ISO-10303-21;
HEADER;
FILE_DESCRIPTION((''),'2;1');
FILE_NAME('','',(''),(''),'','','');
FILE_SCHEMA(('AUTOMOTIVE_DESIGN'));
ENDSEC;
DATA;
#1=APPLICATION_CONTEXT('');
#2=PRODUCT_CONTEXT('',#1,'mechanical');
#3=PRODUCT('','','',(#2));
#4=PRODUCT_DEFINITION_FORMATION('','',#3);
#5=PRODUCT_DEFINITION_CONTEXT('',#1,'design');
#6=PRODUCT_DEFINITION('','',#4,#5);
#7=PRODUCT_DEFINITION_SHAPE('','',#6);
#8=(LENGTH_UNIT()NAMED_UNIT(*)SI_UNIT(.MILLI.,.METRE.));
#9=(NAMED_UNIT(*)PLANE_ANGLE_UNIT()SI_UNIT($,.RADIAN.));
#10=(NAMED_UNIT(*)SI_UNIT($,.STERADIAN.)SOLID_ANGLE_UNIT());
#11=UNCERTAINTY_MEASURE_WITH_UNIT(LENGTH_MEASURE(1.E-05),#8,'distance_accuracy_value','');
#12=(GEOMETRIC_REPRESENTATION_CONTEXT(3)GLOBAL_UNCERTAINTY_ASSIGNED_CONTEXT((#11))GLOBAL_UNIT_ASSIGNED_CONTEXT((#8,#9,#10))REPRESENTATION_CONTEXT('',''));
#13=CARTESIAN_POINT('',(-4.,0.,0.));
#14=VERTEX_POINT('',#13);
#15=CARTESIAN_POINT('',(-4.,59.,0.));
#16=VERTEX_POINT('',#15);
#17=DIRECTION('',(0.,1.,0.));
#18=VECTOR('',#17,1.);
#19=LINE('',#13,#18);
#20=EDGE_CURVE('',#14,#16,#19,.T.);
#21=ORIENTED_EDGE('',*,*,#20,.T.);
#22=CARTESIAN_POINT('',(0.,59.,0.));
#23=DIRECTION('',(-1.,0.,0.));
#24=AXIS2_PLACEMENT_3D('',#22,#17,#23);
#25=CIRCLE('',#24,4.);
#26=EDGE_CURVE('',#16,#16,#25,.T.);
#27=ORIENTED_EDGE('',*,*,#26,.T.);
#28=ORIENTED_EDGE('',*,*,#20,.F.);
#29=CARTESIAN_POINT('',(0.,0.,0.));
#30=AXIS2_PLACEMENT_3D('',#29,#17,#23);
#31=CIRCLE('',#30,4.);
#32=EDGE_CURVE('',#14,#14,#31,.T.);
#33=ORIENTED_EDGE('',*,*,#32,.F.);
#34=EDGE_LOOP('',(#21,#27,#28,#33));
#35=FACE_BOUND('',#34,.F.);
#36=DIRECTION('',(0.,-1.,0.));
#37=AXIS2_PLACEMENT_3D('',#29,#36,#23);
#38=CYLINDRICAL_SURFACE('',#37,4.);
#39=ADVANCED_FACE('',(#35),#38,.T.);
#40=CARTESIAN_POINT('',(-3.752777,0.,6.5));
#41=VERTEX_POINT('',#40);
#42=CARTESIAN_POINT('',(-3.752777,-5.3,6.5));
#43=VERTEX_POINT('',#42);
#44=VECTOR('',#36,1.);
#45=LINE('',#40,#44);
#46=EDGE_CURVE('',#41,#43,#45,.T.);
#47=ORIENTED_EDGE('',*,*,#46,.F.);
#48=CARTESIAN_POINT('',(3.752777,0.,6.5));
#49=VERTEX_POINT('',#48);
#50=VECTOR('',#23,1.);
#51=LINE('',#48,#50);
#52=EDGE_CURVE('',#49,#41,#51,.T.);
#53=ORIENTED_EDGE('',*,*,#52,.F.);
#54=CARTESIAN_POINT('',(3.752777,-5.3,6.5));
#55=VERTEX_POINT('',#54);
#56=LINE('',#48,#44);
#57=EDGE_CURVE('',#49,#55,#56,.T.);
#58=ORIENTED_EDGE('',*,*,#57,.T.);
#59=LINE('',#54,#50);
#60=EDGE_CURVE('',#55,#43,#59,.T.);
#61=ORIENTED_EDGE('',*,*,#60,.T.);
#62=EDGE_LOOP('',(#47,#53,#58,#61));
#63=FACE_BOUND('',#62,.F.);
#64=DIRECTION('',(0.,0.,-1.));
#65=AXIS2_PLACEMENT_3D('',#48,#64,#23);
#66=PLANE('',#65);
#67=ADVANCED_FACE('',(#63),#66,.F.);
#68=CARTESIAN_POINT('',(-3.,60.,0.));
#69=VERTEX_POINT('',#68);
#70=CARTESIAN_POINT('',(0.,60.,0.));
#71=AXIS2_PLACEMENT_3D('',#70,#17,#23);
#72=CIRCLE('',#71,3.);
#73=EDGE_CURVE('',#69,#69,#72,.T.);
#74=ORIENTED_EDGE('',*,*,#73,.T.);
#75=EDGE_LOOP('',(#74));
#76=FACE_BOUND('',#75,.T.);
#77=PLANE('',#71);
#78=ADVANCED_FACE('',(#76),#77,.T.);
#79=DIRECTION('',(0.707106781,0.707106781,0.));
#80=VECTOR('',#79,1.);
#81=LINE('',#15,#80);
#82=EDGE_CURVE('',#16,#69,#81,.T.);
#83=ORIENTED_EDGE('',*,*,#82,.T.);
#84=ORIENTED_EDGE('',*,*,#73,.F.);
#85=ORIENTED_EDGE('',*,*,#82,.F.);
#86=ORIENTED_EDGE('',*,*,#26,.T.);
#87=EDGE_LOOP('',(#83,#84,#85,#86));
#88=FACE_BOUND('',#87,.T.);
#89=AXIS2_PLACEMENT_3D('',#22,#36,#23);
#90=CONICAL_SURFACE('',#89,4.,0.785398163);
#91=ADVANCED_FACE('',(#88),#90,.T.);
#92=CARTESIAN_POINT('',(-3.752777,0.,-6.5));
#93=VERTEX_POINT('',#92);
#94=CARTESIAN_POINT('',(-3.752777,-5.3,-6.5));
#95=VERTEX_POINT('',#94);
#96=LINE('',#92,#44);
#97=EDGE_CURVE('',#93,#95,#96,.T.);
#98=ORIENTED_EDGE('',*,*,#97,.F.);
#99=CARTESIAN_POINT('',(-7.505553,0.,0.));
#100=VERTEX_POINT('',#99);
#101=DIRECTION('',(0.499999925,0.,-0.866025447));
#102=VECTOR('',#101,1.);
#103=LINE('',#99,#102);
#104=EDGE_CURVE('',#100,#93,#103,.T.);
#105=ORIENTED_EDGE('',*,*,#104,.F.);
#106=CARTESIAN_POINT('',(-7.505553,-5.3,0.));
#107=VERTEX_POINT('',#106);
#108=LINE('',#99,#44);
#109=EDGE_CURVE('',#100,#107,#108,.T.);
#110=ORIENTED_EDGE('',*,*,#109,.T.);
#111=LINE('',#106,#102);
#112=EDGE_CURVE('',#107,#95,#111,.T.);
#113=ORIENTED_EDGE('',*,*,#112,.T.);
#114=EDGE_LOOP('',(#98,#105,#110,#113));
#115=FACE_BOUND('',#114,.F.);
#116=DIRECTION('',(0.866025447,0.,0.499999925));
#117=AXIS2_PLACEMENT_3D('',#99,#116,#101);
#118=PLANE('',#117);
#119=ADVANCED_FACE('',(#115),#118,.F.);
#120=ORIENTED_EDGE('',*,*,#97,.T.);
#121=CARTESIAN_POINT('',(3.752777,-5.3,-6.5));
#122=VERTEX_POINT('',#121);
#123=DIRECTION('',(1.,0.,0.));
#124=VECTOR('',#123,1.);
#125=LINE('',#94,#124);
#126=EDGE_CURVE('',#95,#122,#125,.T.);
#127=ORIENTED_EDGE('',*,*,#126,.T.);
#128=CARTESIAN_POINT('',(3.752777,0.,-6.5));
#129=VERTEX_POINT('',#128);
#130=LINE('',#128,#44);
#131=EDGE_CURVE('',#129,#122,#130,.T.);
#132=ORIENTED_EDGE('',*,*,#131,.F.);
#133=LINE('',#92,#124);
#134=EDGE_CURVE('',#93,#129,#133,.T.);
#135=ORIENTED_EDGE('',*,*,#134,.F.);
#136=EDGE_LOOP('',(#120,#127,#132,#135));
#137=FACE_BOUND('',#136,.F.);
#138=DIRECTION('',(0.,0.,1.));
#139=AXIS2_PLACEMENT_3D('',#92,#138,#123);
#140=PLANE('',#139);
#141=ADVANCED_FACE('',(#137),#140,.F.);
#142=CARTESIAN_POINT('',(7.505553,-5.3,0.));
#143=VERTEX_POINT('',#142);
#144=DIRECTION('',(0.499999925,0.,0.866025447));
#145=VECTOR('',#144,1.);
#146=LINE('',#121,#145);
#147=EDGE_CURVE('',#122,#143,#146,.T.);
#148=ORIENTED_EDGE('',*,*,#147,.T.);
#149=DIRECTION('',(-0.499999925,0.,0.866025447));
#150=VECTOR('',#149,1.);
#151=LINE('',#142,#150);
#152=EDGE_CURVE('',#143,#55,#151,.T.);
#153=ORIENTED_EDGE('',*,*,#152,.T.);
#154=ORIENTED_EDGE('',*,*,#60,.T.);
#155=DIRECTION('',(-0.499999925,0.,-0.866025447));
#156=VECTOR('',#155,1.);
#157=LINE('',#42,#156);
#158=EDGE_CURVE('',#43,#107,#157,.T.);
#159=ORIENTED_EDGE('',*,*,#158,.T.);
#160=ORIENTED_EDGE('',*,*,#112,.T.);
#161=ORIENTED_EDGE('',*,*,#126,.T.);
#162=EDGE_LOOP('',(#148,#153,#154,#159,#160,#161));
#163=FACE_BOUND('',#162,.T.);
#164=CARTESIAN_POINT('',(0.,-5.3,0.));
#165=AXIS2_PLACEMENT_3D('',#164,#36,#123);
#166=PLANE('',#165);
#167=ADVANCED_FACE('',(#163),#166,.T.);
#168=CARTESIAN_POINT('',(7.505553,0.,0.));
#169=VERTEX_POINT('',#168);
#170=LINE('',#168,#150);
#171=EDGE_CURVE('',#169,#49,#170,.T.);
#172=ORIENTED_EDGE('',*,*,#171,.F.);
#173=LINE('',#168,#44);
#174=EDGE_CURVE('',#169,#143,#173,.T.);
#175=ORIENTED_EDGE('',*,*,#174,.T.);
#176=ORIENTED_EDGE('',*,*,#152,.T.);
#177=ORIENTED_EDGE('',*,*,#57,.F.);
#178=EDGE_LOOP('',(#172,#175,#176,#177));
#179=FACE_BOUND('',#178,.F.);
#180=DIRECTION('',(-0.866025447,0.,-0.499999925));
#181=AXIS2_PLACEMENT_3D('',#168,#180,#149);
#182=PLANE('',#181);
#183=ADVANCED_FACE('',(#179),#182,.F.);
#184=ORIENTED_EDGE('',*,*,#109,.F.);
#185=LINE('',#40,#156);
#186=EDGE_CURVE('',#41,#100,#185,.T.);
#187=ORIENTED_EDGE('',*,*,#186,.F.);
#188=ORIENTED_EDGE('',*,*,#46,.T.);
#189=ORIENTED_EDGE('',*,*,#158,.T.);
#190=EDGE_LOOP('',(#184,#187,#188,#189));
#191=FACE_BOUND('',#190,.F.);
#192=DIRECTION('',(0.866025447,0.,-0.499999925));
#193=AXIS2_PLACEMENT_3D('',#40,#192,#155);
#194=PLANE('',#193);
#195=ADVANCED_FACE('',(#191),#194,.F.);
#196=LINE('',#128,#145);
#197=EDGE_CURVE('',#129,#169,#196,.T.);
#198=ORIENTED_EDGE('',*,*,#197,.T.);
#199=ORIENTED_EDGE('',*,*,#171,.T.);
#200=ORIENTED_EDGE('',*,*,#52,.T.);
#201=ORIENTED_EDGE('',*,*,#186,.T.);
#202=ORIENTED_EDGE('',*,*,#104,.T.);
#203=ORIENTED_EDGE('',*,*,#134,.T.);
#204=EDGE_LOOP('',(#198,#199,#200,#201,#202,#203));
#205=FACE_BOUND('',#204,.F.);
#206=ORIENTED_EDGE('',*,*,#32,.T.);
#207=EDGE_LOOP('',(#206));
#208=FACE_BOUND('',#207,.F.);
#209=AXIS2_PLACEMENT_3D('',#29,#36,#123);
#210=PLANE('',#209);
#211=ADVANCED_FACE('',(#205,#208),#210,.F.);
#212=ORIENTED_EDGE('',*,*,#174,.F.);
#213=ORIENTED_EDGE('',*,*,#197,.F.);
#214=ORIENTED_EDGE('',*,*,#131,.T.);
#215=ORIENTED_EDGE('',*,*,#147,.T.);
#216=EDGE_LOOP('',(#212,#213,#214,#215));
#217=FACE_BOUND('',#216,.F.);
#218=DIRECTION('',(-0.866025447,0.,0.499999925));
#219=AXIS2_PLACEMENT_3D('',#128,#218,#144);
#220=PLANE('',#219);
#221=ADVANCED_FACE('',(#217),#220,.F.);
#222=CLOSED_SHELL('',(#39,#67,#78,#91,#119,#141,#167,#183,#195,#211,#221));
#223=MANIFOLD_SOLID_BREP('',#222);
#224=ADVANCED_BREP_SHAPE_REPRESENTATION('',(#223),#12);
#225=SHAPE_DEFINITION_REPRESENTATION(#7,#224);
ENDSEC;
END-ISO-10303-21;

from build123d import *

# Parameters (mm, degrees)
F1_DEPTH = 5.3
F2_R     = 4
F3_DEPTH = 60
F4_SIZE  = 1


with BuildPart() as f1:
    # F0 (on Front) → F1 (new body)
    with BuildSketch(Plane.XZ):
        Polygon((3.752777, -6.5), (7.505553, 0), (3.752777, 6.5), (-3.752777, 6.5), (-7.505553, 0), (-3.752777, -6.5), align=None)
    extrude(amount=F1_DEPTH)

    # F2 (on face) → F3 (join)
    with BuildSketch(Plane(origin=(0, 0, 0), x_dir=(-1, 0, 0), z_dir=(0, 1, 0))):
        Circle(F2_R)
    extrude(amount=F3_DEPTH)

    # F4
    f4_edges = [f1.edges().sort_by_distance(p)[0] for p in [
        (4, 60, 0),
    ]]
    chamfer(f4_edges, length=F4_SIZE)


solid = f1.part
